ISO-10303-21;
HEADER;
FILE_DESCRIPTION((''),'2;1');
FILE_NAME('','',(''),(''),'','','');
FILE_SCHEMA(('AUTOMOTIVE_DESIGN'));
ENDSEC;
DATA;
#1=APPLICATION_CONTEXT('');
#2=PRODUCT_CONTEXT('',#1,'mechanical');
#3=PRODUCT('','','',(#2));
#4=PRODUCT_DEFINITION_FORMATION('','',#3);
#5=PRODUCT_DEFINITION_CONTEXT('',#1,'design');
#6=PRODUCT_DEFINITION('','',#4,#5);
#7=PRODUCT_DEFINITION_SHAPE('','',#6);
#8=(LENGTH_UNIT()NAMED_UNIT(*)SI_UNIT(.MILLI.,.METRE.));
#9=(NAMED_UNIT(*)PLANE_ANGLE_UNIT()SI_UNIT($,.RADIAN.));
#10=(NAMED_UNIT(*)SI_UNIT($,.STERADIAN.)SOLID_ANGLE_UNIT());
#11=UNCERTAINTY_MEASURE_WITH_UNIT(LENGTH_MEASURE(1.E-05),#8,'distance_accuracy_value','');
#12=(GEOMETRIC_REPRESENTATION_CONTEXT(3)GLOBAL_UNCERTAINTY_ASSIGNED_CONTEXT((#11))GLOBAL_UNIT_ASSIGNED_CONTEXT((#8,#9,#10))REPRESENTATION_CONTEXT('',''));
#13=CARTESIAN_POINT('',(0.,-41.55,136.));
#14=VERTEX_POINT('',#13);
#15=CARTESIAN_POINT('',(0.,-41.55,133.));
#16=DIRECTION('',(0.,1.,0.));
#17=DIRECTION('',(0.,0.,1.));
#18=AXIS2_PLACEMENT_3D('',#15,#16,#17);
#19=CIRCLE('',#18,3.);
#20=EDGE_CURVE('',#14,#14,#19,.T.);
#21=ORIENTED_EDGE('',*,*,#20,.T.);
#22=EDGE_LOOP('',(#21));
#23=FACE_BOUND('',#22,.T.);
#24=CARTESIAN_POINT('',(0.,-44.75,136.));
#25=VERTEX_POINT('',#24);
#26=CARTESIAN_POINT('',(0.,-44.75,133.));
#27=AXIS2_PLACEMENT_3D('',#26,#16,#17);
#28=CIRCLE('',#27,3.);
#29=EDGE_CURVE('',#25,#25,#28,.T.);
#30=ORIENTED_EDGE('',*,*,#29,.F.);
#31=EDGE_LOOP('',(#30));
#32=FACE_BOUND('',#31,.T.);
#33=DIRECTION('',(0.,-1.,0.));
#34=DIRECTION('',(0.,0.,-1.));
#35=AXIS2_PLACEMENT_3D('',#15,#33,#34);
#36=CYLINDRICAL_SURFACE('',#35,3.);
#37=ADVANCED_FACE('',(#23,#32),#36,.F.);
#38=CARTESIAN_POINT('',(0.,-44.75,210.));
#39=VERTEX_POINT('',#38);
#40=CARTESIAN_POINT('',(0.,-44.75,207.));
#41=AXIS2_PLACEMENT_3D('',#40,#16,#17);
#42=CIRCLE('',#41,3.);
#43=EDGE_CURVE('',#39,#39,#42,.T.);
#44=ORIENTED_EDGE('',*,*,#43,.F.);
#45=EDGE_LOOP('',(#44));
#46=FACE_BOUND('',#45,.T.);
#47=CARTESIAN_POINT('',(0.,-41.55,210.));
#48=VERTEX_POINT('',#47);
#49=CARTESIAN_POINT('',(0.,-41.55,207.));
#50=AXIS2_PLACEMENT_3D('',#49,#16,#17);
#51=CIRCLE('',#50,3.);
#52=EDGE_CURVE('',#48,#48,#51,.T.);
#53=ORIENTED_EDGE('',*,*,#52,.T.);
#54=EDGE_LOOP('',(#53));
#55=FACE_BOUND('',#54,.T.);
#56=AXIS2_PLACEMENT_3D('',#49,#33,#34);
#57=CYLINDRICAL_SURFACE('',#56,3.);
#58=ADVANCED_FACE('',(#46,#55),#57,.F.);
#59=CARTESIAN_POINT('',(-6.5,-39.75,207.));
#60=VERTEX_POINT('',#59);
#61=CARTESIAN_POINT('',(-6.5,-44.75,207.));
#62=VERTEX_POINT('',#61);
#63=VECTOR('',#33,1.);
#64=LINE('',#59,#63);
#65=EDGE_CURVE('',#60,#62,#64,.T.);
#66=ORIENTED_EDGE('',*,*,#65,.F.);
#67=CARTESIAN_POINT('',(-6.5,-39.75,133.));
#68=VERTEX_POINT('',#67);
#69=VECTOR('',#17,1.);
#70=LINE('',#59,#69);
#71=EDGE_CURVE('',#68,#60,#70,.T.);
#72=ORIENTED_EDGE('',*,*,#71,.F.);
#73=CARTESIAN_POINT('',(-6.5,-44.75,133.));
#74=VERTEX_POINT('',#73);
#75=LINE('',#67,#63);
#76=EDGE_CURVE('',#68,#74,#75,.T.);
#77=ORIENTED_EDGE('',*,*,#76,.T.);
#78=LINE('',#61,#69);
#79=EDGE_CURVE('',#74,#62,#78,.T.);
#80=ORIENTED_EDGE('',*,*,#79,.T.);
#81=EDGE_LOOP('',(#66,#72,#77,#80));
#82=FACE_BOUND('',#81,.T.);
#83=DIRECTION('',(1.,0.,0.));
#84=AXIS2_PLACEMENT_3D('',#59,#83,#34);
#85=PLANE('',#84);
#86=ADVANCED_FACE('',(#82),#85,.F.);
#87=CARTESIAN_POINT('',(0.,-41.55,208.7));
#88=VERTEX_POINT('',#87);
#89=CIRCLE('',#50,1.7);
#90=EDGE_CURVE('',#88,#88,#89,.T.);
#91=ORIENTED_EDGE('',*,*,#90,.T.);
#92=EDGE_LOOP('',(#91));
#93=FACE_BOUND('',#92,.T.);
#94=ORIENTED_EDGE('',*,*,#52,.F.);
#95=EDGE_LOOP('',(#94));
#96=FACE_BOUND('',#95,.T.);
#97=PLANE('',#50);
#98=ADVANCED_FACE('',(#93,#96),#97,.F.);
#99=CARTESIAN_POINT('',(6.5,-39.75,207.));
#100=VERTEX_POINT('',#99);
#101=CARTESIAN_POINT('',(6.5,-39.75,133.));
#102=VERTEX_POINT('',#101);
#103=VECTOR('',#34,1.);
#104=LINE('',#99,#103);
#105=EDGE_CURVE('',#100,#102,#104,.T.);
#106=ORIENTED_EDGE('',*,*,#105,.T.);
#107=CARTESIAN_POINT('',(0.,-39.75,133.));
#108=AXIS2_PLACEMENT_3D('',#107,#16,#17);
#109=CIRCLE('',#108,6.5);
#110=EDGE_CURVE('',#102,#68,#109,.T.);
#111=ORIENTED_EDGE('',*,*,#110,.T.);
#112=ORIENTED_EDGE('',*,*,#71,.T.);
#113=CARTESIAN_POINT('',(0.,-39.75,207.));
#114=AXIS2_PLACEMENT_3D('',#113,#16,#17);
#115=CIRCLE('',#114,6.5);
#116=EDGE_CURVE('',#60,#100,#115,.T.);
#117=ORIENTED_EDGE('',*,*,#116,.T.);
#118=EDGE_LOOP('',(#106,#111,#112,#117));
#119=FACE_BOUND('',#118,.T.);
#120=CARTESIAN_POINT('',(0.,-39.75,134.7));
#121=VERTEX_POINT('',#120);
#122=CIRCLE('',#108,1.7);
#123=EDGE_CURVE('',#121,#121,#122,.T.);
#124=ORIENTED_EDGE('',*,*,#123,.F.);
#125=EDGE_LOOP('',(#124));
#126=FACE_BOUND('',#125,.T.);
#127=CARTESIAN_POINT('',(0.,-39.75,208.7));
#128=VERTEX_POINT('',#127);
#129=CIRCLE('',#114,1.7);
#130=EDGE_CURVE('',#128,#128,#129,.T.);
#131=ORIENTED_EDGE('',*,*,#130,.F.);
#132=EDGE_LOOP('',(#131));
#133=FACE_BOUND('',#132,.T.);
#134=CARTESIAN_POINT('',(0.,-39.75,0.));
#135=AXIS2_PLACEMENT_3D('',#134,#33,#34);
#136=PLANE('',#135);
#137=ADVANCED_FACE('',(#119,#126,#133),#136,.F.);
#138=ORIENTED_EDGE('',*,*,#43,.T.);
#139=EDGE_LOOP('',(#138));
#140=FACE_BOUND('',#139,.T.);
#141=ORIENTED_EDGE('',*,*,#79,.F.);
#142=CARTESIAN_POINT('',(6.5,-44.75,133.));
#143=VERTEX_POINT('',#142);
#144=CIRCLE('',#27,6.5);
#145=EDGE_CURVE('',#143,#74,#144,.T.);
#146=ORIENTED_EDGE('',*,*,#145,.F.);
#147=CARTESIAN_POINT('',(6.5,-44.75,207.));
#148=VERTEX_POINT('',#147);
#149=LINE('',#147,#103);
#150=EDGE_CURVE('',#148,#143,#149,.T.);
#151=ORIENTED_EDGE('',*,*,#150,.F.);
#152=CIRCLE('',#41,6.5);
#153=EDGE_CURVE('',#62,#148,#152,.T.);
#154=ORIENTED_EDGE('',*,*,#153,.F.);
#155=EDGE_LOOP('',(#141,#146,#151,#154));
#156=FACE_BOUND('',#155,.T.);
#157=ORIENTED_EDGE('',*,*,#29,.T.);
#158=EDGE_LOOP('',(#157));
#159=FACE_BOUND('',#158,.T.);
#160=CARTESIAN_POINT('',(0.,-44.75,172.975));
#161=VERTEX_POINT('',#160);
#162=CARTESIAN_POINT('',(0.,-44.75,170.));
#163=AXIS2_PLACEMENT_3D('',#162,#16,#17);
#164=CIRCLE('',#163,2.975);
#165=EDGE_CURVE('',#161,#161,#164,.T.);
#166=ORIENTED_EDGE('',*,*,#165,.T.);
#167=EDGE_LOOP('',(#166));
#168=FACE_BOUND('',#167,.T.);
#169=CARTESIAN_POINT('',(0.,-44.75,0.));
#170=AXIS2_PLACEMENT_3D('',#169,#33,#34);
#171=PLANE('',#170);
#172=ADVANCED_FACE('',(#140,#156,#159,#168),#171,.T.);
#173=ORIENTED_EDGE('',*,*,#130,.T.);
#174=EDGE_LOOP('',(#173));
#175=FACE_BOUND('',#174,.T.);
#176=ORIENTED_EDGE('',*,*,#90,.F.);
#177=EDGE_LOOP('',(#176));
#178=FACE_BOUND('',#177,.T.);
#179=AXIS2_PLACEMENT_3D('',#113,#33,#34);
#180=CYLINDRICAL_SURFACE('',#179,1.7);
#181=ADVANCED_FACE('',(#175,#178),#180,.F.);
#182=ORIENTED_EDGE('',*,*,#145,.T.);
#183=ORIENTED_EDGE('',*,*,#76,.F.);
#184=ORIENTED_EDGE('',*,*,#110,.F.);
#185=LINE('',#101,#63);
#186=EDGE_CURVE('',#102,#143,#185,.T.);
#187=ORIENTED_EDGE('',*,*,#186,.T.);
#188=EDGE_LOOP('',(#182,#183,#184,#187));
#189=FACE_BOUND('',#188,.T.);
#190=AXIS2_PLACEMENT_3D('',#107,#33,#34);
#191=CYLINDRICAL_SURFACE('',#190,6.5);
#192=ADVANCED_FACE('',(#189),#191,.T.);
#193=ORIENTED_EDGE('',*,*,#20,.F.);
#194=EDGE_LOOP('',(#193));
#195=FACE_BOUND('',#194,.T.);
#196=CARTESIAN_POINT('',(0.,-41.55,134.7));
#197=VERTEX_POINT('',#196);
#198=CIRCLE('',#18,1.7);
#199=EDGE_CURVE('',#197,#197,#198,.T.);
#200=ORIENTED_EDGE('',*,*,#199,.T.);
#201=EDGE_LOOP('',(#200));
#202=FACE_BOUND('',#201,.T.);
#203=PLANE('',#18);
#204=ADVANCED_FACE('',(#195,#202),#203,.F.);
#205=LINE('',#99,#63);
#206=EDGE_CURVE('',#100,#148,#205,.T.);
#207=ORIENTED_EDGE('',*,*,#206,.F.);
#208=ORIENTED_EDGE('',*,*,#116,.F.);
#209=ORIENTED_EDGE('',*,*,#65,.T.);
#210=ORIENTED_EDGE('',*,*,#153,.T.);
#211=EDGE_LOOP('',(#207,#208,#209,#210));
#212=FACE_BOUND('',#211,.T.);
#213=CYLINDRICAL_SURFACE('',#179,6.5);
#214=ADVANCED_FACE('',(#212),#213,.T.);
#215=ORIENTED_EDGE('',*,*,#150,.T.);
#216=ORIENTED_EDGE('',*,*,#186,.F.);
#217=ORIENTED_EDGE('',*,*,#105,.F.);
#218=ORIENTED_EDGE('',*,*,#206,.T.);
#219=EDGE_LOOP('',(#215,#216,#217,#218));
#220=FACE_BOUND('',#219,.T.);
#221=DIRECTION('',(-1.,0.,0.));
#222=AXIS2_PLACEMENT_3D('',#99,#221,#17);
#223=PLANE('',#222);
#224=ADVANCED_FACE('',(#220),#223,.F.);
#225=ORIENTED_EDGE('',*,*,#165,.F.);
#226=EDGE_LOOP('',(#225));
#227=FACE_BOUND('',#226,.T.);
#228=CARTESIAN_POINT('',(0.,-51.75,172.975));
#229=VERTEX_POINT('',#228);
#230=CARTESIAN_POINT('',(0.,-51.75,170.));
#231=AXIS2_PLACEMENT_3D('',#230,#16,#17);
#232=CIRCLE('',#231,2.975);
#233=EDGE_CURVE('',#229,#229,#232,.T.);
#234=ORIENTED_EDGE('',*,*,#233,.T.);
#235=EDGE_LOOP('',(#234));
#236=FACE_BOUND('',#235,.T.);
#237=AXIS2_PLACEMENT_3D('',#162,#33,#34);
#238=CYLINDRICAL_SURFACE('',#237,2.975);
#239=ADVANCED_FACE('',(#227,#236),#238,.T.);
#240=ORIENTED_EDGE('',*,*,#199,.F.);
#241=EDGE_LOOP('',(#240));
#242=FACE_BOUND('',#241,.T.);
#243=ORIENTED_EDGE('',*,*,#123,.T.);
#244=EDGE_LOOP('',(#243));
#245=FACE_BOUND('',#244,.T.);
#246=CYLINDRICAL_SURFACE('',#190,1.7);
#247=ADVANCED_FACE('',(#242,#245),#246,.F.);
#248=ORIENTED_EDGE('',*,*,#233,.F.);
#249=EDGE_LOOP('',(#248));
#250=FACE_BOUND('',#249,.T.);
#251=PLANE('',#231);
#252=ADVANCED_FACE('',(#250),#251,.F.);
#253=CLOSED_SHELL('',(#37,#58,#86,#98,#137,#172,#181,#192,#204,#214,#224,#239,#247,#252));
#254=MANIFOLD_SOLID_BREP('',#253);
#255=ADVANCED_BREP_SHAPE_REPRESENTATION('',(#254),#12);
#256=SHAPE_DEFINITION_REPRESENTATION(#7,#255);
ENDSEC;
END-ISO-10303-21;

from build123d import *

# Parameters (mm, degrees)
BARRA_START       = -44.75
SK_BARRA_W        = 13
SK_BARRA_H        = 74
BARRA_DEPTH       = 5
EXTREMOS_START    = -44.75
SK_EXTREMOS_R     = 6.5
EXTREMOS_DEPTH    = 5
PERNO_696_START   = -51.75
SK_PERNO_696_R    = 2.975
PERNO_696_DEPTH   = 7
PASANTES_M3_START = -44.75
SK_PASANTES_M3_R  = 1.7
PASANTES_M3_DEPTH = 5
CAJAS_M3_START    = -44.75
SK_CAJAS_M3_R     = 3
CAJAS_M3_DEPTH    = 3.2


with BuildPart() as part:
    # Sk_Barra → Barra (new body)
    with BuildSketch(Plane(origin=(0, 0, 0), x_dir=(1, 0, 0), z_dir=(0, 1, 0)).offset(BARRA_START)):
        with Locations((0, -170)):
            Rectangle(SK_BARRA_W, SK_BARRA_H)
    extrude(amount=BARRA_DEPTH)

    # Sk_Extremos → Extremos (add)
    with BuildSketch(Plane(origin=(0, 0, 0), x_dir=(1, 0, 0), z_dir=(0, 1, 0)).offset(EXTREMOS_START)):
        with Locations((0, -133)):
            Circle(SK_EXTREMOS_R)
        with Locations((0, -207)):
            Circle(SK_EXTREMOS_R)
    extrude(amount=EXTREMOS_DEPTH)

    # Sk_Perno_696 → Perno_696 (add)
    with BuildSketch(Plane(origin=(0, 0, 0), x_dir=(1, 0, 0), z_dir=(0, 1, 0)).offset(PERNO_696_START)):
        with Locations(Location((0, -170, 0), (0, 0, 270))):
            Circle(SK_PERNO_696_R)
    extrude(amount=PERNO_696_DEPTH)

    # Sk_Pasantes_M3 → Pasantes_M3 (cut)
    with BuildSketch(Plane(origin=(0, 0, 0), x_dir=(1, 0, 0), z_dir=(0, 1, 0)).offset(PASANTES_M3_START)):
        with Locations(Location((0, -133, 0), (0, 0, 270))):
            Circle(SK_PASANTES_M3_R)
        with Locations(Location((0, -207, 0), (0, 0, 270))):
            Circle(SK_PASANTES_M3_R)
    extrude(amount=PASANTES_M3_DEPTH, mode=Mode.SUBTRACT)

    # Sk_Cajas_M3 → Cajas_M3 (cut)
    with BuildSketch(Plane(origin=(0, 0, 0), x_dir=(1, 0, 0), z_dir=(0, 1, 0)).offset(CAJAS_M3_START)):
        with Locations(Location((0, -133, 0), (0, 0, 270))):
            Circle(SK_CAJAS_M3_R)
        with Locations(Location((0, -207, 0), (0, 0, 270))):
            Circle(SK_CAJAS_M3_R)
    extrude(amount=CAJAS_M3_DEPTH, mode=Mode.SUBTRACT)


solid = part.part
